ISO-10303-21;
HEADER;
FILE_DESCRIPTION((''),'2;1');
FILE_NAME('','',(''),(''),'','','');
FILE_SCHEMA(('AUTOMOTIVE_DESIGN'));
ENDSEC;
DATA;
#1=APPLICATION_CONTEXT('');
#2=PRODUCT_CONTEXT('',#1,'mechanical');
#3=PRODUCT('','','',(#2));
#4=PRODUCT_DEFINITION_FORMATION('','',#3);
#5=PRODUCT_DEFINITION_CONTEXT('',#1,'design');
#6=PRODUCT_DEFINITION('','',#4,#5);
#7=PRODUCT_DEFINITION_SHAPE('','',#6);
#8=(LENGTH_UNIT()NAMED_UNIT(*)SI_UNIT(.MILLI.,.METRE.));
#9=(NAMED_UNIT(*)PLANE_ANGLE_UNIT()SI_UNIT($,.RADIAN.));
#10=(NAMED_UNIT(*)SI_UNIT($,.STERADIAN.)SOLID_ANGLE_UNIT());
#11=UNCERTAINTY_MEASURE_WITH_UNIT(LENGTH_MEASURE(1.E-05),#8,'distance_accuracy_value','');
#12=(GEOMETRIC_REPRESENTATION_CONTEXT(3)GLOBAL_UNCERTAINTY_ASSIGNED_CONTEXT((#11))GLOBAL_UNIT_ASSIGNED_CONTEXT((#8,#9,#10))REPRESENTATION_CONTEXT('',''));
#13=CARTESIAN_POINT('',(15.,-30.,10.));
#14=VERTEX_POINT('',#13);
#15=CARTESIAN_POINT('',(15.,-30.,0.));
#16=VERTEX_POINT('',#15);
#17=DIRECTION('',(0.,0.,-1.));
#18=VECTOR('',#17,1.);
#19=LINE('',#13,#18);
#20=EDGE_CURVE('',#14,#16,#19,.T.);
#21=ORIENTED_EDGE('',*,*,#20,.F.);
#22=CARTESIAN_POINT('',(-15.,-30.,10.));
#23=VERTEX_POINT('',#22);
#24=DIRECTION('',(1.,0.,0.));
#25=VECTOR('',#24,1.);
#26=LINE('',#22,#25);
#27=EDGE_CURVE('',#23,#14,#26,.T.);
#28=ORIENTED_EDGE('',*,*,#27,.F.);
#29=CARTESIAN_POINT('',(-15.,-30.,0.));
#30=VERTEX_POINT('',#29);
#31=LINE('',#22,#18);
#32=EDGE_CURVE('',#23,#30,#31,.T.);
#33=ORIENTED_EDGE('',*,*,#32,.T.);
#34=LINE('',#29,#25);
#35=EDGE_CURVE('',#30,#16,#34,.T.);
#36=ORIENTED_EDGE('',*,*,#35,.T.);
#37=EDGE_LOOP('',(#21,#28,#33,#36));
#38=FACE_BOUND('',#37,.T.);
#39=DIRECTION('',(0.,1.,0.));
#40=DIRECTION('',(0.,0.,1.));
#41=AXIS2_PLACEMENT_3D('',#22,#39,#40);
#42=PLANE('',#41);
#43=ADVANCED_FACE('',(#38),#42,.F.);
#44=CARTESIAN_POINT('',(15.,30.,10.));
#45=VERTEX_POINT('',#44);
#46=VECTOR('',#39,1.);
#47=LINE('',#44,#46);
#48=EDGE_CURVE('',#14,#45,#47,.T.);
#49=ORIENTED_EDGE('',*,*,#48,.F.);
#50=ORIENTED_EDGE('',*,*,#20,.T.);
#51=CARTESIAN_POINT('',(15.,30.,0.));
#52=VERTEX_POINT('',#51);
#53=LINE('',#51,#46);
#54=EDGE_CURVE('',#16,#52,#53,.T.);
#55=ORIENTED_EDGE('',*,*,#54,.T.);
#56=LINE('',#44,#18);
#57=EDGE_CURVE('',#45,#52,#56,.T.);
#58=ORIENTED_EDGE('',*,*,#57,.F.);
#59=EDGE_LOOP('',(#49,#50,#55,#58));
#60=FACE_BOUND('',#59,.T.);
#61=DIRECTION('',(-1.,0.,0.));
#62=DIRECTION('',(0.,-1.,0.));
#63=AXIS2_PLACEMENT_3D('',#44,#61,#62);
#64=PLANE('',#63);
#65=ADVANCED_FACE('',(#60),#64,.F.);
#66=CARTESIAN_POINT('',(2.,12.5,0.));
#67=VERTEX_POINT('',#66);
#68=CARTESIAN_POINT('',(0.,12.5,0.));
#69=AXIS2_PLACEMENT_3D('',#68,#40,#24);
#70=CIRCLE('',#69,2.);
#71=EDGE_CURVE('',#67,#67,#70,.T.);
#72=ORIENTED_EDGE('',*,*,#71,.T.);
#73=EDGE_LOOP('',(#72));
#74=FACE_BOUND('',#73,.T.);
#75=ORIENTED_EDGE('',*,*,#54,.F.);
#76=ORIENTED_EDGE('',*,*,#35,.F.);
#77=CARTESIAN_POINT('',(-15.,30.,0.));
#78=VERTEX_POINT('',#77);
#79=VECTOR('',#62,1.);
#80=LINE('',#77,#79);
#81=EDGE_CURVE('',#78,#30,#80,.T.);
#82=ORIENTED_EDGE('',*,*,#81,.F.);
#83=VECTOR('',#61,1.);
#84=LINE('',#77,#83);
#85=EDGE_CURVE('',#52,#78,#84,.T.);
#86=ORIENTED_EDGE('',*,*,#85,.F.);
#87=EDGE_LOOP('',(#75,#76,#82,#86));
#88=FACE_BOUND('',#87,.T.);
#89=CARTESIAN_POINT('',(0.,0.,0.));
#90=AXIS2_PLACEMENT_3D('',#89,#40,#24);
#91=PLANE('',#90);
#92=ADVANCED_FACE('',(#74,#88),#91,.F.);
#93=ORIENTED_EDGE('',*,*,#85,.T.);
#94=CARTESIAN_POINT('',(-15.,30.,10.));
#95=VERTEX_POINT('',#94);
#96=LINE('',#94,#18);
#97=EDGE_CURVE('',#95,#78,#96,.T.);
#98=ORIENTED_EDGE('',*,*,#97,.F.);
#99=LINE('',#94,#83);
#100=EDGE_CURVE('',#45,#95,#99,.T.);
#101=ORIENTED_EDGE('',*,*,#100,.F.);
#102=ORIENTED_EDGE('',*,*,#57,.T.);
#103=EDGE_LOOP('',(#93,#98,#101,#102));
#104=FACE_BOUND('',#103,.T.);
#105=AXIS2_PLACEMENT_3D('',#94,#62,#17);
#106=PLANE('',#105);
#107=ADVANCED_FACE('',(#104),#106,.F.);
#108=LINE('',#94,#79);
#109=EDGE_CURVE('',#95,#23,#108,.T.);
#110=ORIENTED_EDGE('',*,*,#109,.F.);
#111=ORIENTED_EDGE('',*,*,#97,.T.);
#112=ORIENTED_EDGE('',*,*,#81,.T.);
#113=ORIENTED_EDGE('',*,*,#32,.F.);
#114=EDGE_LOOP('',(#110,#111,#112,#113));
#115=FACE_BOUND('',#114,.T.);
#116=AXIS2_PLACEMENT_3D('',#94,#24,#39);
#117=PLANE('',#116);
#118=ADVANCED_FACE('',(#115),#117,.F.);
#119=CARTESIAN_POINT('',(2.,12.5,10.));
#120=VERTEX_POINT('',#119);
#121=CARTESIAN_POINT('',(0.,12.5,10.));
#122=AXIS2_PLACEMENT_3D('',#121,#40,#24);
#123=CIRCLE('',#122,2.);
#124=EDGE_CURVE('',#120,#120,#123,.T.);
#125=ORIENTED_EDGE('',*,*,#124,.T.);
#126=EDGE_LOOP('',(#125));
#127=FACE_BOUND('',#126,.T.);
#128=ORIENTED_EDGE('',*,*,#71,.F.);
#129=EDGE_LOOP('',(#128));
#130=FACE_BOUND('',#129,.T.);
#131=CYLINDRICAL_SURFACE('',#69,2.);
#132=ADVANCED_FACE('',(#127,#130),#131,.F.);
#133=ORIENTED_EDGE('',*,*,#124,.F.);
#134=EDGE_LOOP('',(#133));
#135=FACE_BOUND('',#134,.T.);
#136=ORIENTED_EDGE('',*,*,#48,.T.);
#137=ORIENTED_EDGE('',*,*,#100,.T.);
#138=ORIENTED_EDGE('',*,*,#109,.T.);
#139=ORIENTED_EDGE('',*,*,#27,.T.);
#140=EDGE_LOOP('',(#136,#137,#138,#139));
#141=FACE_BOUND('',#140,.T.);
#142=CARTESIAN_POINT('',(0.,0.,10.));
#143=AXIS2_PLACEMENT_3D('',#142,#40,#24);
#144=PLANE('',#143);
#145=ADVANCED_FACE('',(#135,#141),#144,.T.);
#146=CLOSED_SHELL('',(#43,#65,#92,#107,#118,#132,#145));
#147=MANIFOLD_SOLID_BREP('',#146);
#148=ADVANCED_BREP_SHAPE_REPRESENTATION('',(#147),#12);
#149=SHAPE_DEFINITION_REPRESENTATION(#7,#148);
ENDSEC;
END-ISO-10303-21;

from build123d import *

# Parameters (mm, degrees)
ESQUISSE1_W             = 30
ESQUISSE1_H             = 60
BOSS_EXTRU_1_DEPTH      = 10
ESQUISSE2_R             = 2
ENL_V_MAT_EXTRU_1_DEPTH = 36


with BuildPart() as part:
    # Esquisse1 → Boss.-Extru.1 (new body)
    with BuildSketch(Plane.XY):
        Rectangle(ESQUISSE1_W, ESQUISSE1_H)
    extrude(amount=BOSS_EXTRU_1_DEPTH)

    # Esquisse2 → Enlèv. mat.-Extru.1 (cut, through all)
    with BuildSketch(Plane.XY.offset(10)):
        with Locations((0, 12.5)):
            Circle(ESQUISSE2_R)
    extrude(amount=-ENL_V_MAT_EXTRU_1_DEPTH, mode=Mode.SUBTRACT)


solid = part.part
